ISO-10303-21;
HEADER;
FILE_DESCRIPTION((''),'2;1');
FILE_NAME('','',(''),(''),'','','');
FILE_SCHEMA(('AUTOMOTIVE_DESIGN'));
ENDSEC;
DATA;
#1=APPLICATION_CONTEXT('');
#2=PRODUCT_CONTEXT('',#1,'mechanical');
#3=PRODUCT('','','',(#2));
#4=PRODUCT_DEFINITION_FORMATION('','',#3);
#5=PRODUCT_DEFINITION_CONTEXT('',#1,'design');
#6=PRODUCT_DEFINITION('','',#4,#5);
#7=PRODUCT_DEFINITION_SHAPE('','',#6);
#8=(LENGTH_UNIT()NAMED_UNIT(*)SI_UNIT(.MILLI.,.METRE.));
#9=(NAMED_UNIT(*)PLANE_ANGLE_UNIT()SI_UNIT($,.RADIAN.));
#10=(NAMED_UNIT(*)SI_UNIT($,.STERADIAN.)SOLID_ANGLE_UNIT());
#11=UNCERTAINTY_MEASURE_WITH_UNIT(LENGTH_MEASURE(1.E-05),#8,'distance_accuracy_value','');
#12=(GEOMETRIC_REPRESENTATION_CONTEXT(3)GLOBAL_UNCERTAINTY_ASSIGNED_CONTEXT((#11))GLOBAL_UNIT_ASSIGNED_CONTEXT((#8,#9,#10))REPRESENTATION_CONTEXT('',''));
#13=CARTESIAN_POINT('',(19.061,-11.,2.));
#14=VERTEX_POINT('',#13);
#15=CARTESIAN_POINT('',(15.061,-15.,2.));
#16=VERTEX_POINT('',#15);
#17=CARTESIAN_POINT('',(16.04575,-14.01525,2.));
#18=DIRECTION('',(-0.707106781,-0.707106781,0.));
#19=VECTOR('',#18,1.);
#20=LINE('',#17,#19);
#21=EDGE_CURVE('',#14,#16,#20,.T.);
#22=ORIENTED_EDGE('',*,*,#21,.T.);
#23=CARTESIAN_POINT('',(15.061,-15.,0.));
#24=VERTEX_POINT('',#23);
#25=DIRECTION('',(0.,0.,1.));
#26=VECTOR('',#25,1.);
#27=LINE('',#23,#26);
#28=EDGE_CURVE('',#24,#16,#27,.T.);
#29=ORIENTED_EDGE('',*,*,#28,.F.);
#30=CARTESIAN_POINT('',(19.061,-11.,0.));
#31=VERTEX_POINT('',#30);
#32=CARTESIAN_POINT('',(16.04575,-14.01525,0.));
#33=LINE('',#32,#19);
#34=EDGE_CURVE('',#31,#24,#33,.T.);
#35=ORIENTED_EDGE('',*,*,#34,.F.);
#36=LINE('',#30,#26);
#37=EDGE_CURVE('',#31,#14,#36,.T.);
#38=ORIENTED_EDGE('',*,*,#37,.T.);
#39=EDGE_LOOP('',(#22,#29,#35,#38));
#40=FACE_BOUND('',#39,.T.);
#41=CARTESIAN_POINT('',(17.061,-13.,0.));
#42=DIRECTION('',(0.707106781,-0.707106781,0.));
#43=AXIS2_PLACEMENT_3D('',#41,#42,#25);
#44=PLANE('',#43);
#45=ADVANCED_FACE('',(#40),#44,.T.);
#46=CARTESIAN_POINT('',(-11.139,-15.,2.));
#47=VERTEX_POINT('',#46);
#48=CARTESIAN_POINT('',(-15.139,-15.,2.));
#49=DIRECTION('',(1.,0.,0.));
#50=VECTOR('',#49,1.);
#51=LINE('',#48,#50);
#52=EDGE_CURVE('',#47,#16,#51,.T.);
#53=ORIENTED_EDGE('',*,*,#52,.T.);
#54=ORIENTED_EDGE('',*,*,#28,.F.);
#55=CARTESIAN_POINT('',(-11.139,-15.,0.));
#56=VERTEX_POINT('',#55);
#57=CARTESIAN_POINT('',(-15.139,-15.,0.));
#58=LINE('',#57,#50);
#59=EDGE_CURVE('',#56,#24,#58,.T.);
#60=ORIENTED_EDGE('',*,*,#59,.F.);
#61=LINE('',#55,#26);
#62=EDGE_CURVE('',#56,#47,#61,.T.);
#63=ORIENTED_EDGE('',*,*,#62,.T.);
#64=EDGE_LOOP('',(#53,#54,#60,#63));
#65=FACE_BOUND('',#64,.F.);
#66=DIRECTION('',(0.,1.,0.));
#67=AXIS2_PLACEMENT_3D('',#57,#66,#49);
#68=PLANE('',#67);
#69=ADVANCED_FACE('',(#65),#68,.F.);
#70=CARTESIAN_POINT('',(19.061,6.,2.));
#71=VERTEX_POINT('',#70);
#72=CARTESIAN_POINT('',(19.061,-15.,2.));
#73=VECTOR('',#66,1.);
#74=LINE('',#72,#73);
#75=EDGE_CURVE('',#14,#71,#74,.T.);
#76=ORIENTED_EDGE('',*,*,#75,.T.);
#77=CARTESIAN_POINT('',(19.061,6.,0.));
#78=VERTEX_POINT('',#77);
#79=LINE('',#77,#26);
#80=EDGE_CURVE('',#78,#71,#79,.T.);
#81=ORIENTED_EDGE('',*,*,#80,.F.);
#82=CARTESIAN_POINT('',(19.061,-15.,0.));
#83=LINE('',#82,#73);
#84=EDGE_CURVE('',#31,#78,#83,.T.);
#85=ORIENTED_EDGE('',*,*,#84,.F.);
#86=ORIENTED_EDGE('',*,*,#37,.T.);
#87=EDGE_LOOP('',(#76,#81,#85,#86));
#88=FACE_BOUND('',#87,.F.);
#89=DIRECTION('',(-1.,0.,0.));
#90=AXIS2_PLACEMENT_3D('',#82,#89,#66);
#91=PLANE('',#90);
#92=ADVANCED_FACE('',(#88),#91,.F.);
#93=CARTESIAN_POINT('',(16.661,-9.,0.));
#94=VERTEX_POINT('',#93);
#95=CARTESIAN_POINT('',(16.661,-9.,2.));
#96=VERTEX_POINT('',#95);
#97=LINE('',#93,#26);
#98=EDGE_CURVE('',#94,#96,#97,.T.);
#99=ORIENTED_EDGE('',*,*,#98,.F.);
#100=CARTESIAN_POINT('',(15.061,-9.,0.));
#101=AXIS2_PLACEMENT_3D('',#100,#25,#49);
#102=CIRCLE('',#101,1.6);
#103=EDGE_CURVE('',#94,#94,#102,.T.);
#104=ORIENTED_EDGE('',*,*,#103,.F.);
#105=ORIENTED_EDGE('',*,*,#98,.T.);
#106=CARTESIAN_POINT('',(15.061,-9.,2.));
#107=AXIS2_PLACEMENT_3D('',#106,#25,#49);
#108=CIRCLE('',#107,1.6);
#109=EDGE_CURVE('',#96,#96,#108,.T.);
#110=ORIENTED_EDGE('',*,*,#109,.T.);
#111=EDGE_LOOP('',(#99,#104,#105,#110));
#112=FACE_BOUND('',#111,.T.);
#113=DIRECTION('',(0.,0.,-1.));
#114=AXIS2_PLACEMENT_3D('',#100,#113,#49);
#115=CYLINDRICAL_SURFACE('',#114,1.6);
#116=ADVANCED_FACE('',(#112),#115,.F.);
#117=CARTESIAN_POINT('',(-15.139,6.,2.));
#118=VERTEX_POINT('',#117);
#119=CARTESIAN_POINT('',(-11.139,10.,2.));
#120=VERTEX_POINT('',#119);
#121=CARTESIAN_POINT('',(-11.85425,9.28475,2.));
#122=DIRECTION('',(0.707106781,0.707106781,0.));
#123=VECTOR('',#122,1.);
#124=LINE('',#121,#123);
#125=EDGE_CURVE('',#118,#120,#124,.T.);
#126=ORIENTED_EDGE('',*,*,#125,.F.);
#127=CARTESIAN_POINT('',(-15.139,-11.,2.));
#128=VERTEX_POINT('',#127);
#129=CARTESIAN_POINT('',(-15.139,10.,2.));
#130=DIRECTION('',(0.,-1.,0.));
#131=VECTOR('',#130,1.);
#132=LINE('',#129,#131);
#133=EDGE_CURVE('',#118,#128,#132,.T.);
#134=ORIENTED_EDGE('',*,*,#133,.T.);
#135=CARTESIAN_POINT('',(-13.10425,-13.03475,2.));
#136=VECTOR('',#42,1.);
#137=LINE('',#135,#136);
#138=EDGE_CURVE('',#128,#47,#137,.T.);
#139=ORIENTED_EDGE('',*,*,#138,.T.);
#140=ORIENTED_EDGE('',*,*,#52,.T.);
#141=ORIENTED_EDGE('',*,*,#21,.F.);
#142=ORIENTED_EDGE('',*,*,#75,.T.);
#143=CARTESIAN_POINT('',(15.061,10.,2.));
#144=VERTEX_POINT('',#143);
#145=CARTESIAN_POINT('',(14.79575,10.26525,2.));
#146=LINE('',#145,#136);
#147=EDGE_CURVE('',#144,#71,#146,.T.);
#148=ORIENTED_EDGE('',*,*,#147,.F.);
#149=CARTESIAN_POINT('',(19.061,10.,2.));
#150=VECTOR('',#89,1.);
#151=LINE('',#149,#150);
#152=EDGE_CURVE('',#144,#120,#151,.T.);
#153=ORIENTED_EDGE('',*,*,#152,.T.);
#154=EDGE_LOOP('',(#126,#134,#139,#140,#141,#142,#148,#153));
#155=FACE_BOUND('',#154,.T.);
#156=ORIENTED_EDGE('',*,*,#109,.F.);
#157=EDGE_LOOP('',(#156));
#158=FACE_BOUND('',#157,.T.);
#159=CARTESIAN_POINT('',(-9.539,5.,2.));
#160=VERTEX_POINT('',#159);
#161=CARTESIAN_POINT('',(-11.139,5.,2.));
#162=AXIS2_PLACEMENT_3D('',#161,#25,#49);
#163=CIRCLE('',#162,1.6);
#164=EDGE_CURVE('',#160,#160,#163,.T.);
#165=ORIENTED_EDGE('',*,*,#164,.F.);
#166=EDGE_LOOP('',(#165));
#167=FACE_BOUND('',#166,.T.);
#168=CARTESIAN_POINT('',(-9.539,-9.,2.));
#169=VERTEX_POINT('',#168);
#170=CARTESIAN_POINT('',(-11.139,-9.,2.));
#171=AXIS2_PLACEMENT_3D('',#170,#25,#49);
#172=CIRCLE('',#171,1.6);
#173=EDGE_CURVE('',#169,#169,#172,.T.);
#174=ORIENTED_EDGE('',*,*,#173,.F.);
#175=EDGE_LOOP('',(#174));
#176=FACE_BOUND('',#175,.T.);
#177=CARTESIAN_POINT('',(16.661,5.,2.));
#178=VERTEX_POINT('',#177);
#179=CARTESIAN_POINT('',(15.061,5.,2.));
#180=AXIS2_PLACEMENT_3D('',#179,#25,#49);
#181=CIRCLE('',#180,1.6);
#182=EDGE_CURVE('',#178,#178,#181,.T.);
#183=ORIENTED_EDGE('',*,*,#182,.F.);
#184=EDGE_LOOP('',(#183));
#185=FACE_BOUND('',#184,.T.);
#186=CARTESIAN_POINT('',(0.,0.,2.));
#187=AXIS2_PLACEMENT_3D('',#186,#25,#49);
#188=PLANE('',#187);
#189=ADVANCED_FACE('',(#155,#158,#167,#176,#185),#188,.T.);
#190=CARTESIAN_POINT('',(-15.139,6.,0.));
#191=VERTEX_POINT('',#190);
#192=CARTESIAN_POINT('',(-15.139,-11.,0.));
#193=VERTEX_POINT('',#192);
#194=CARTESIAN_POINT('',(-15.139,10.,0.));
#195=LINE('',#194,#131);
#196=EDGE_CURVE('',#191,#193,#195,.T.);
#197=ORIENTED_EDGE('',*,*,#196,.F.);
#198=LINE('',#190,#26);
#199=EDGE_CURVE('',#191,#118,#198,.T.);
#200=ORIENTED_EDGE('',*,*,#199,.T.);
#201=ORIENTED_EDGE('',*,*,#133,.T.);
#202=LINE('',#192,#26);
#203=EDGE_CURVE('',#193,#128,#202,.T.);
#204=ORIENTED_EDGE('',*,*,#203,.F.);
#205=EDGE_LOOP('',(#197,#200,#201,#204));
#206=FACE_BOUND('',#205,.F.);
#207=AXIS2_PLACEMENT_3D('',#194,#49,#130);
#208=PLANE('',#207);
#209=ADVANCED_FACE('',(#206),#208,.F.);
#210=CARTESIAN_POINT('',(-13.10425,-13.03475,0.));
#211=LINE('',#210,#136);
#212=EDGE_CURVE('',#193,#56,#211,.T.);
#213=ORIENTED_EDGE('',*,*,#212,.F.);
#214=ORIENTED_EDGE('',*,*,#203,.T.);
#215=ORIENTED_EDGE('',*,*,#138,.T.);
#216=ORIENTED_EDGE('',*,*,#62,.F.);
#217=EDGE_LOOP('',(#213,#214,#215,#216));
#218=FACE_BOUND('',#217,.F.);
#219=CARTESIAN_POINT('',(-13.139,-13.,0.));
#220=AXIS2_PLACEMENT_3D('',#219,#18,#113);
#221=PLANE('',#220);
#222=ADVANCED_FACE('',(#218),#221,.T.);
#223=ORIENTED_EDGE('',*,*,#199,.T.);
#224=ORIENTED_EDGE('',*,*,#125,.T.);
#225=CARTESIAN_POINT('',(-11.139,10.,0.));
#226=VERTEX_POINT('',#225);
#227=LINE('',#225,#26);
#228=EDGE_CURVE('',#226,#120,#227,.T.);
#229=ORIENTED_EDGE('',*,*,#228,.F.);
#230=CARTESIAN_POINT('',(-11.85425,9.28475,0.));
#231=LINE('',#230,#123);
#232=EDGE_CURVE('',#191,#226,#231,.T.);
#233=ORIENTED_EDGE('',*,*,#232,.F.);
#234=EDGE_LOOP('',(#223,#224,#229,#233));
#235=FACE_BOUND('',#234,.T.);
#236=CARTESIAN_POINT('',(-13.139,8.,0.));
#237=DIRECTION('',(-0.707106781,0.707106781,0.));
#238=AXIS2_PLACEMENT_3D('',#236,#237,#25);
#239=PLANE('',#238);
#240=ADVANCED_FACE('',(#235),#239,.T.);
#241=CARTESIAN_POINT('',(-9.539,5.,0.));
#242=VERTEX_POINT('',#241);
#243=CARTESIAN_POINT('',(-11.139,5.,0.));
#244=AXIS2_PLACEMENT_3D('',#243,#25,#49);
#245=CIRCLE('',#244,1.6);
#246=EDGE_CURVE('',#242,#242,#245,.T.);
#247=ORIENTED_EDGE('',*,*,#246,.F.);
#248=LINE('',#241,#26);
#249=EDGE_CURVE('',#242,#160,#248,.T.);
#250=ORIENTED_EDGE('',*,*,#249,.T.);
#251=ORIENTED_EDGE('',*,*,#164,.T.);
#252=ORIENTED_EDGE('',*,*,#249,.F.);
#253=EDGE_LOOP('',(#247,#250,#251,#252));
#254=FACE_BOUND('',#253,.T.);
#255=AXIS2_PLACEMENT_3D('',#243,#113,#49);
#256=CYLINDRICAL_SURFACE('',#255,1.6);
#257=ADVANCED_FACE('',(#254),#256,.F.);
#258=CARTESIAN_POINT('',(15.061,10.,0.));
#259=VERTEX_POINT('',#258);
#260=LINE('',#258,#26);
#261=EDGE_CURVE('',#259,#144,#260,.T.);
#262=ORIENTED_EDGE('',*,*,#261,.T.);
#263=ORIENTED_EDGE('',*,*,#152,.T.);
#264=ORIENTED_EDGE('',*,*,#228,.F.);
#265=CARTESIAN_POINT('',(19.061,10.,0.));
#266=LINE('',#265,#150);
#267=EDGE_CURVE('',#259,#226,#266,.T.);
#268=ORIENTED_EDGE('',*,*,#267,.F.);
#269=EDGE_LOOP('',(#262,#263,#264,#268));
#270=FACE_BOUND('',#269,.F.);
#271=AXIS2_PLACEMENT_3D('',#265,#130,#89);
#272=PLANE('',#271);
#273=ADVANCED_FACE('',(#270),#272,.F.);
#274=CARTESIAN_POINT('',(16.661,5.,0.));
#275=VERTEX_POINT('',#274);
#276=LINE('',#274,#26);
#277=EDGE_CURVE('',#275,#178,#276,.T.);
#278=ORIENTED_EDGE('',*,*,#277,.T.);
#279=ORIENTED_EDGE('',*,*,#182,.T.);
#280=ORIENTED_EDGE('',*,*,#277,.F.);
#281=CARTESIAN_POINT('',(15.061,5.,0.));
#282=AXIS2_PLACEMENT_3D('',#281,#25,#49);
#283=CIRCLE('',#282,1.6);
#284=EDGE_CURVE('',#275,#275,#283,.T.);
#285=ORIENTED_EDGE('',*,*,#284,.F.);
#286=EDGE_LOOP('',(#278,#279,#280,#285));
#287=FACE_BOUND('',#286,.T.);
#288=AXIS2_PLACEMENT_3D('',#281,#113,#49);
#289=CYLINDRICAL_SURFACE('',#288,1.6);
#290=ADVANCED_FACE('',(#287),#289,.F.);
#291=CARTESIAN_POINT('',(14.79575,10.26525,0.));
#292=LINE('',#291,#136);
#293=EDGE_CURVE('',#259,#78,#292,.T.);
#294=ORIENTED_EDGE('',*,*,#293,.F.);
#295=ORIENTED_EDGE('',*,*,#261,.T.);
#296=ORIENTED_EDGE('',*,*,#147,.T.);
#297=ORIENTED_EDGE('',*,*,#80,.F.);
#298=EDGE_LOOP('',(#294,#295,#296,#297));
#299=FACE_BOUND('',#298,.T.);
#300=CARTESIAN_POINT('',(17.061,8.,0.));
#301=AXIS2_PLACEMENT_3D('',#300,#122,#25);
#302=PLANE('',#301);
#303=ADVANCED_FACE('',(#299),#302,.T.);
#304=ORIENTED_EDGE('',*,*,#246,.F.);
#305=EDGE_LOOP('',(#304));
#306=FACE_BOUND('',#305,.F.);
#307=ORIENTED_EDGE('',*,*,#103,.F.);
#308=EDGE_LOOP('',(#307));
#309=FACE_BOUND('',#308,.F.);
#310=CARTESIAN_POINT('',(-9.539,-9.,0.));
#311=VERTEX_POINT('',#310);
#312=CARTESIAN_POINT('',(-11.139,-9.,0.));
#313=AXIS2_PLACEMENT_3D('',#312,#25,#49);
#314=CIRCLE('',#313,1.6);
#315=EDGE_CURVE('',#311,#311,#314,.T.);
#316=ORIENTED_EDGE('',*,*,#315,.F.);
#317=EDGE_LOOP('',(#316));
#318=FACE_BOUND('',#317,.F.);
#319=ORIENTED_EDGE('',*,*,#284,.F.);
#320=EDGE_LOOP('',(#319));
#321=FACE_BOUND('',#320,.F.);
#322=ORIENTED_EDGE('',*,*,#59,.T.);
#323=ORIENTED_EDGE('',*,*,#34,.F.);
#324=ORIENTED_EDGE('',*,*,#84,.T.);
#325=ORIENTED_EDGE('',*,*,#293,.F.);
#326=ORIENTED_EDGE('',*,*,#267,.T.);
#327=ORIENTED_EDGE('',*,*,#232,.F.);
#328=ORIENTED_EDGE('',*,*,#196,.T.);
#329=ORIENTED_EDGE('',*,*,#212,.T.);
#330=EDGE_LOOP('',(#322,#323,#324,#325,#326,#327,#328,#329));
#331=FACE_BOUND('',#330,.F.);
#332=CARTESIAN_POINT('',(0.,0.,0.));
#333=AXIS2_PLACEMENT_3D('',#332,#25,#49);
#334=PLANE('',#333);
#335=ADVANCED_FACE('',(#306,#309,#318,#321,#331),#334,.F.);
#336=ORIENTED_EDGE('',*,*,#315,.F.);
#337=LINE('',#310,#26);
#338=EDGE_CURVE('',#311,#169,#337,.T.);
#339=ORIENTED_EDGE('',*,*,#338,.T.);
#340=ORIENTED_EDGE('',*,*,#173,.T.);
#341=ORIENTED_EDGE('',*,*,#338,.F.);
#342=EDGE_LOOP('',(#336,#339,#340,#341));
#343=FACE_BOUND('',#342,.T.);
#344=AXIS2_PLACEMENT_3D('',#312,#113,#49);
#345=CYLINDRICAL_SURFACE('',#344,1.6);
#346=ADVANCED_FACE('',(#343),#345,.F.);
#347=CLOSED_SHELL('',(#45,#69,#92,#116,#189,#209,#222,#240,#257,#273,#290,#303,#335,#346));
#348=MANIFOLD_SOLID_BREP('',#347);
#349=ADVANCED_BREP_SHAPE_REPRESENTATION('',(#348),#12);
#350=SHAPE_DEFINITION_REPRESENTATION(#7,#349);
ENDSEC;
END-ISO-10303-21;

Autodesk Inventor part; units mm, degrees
ref_plane "YZ Plane" through (0, 0, 0) normal (1, 0, 0) x (0, 1, 0)
ref_plane "XZ Plane" through (0, 0, 0) normal (0, 1, 0) x (-1, 0, 0)
ref_plane "XY Plane" through (0, 0, 0) normal (0, 0, 1) x (1, 0, 0)
sketch "Эскиз1" plane through (0, 0, 0) normal (0, 0, 1) x (1, 0, 0)
  line L0 (-15.139, -15) -> (19.061, -15)
  line L1 (19.061, -15) -> (19.061, 10)
  line L2 (19.061, 10) -> (-15.139, 10)
  line L3 (-15.139, 10) -> (-15.139, -15)
  circle A0 centre (-11.139, 5) radius 1.6
  circle A1 centre (-11.139, -9) radius 1.6
  circle A2 centre (15.061, 5) radius 1.6
  circle A3 centre (15.061, -9) radius 1.6
  point P0 (0, 0)
  dimension "d0" = 34.2
  dimension "d5" = 3.2
  dimension "d7" = 14
  dimension "d16" = 3.2
  dimension "d17" = 3.2
  dimension "d18" = 3.2
  dimension "d19" = 5
  dimension "d20" = 14
  dimension "d21" = 6
  dimension "d22" = 6
  dimension "d23" = 4
  dimension "d24" = 4
extrude "Выдавливание1" add sketch "Эскиз1" along normal blind 2
chamfer "Фаска1" distance 4 angle 45 4 edges at (19.061, 10, 1) (-15.139, 10, 1) (19.061, -15, 1) (-15.139, -15, 1)
properties part number "стена_простая"
